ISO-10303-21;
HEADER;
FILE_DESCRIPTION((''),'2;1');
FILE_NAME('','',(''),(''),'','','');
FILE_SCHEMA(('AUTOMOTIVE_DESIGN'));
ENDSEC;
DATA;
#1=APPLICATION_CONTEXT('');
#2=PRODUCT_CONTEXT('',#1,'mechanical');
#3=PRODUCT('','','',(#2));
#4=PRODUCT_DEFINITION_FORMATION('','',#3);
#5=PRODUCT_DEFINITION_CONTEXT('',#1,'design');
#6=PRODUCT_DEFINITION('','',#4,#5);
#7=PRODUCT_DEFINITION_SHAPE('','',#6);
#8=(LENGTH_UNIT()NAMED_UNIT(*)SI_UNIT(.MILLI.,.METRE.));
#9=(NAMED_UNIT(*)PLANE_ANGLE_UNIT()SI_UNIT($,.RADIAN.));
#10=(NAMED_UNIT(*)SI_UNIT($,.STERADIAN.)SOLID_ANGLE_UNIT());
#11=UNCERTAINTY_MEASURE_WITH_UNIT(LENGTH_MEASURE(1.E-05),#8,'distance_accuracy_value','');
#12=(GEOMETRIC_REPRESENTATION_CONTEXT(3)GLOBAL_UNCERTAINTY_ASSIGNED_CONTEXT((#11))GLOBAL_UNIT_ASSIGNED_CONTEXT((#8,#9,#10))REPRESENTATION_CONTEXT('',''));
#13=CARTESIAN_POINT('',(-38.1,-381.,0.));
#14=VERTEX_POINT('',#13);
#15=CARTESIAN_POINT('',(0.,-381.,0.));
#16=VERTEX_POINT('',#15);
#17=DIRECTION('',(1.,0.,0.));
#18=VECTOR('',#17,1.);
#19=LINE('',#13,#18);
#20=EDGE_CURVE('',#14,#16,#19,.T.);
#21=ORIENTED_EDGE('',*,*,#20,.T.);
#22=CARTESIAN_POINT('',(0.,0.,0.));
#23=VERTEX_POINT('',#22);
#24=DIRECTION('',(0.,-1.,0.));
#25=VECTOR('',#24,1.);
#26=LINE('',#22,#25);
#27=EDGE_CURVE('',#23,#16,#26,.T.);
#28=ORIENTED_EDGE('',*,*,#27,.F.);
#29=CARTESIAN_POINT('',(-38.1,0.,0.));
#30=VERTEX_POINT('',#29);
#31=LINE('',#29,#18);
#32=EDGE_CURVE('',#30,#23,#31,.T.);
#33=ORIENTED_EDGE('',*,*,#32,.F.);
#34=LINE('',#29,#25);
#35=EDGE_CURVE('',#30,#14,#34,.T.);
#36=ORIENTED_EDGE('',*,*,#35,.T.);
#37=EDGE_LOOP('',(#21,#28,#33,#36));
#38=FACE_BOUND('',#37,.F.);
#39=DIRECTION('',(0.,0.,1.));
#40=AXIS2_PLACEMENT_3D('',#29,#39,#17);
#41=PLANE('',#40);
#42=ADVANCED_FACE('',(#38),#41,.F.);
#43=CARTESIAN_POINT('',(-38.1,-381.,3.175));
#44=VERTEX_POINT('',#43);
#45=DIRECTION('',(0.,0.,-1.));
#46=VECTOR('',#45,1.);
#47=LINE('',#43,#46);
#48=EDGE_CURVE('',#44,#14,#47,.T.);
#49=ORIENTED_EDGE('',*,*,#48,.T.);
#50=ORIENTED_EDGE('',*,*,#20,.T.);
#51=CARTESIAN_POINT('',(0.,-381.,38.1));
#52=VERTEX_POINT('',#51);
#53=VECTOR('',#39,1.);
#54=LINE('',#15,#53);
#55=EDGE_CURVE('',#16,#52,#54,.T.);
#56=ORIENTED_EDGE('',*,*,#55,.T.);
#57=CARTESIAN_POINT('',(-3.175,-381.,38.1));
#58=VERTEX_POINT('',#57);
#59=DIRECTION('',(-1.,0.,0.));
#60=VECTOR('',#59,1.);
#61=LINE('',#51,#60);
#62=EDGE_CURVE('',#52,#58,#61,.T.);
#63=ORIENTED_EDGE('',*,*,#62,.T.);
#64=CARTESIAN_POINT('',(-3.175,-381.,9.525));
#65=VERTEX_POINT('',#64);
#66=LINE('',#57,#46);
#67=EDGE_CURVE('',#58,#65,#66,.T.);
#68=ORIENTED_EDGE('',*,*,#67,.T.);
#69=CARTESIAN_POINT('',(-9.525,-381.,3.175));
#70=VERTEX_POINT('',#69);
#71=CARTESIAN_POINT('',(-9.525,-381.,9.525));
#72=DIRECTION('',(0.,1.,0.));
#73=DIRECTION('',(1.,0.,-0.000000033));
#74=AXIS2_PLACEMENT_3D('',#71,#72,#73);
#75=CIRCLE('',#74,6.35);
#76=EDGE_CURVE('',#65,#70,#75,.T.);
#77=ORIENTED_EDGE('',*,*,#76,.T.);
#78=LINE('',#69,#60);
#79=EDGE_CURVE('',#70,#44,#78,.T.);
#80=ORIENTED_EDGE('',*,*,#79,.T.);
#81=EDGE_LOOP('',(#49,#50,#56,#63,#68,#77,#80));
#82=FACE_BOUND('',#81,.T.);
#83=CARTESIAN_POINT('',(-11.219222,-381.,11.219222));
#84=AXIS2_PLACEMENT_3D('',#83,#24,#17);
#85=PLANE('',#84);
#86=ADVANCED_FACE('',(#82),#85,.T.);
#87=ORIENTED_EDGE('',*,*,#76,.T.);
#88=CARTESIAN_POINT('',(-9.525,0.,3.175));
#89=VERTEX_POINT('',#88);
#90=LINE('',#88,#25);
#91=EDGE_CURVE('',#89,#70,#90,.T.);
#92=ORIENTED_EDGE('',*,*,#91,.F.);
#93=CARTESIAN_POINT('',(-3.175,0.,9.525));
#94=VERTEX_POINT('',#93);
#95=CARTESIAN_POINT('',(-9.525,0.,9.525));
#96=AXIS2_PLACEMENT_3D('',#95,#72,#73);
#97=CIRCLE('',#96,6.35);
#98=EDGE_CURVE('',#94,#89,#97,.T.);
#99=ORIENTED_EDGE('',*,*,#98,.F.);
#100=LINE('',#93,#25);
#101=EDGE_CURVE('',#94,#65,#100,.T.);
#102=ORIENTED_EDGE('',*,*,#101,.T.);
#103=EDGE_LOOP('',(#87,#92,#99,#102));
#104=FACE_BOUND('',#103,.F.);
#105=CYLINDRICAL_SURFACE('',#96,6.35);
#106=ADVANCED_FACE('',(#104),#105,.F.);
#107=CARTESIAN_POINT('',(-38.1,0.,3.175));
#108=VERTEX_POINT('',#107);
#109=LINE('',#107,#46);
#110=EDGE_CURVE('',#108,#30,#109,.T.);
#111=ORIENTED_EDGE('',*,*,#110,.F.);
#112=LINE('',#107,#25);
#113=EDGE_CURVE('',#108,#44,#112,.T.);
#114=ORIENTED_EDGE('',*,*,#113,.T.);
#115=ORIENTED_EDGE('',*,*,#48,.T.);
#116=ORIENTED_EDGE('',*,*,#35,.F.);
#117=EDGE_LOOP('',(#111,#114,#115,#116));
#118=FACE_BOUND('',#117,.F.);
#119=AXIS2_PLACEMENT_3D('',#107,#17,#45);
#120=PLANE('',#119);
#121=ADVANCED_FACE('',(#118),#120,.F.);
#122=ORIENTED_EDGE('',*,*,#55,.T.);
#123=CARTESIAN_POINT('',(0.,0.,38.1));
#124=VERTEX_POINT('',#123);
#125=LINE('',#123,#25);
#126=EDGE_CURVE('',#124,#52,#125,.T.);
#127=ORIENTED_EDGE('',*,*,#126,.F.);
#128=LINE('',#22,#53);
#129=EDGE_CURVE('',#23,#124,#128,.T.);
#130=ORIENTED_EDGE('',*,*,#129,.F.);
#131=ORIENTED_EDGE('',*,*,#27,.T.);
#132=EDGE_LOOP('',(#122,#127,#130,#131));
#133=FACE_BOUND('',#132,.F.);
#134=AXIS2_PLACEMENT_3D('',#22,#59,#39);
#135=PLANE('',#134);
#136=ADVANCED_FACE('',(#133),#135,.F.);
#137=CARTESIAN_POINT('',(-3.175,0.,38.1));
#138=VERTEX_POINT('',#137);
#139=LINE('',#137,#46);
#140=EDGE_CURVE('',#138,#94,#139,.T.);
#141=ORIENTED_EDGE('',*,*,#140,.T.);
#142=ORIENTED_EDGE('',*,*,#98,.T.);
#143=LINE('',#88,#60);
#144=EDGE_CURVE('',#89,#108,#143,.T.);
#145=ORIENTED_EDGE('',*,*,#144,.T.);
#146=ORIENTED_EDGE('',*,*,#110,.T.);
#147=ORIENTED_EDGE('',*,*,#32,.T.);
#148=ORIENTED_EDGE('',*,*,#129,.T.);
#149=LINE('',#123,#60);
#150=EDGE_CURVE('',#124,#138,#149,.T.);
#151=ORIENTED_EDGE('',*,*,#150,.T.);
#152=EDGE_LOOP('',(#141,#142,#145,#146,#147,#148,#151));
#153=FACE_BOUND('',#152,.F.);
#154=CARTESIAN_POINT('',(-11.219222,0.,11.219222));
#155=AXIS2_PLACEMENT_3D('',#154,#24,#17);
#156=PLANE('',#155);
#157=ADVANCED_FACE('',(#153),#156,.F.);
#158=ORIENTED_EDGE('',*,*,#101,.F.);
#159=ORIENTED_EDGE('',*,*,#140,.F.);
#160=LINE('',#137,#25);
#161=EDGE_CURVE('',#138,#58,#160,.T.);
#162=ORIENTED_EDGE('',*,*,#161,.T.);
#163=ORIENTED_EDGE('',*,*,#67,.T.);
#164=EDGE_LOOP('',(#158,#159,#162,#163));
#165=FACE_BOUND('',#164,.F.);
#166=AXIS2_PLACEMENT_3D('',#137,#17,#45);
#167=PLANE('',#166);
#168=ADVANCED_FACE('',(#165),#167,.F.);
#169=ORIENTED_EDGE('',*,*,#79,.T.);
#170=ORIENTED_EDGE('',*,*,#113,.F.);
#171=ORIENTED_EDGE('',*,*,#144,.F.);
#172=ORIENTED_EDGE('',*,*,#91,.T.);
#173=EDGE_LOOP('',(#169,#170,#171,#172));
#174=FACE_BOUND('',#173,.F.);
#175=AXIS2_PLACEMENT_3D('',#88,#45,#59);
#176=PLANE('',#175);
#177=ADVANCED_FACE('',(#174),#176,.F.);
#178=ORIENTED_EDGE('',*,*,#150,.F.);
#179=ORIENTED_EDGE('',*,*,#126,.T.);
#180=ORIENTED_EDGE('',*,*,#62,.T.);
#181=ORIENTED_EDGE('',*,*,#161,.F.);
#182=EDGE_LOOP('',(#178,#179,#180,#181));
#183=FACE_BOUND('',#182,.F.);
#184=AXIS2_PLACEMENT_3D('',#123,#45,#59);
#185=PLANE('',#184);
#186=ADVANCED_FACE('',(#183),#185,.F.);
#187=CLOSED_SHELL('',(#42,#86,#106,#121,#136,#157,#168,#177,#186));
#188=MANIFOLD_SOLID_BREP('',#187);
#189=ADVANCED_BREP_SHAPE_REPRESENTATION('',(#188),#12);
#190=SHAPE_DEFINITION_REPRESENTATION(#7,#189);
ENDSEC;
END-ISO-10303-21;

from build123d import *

# Parameters (mm, degrees)
F1_DEPTH = 381


with BuildPart() as f1:
    # F0 (on Front) → F1 (new body)
    with BuildSketch(Plane.XZ):
        with BuildLine():
            Line((-5.119123, 0), (0, 0))
            Line((0, 0), (0, 5.687915))
            Line((0, 5.687915), (0, 38.1))
            Line((0, 38.1), (-3.175, 38.1))
            Line((-3.175, 38.1), (-3.175, 9.525))
            ThreePointArc((-3.175, 9.525), (-5.034872, 5.034872), (-9.525, 3.175))
            Line((-9.525, 3.175), (-38.1, 3.175))
            Line((-38.1, 3.175), (-38.1, 0))
            Line((-38.1, 0), (-5.119123, 0))
        make_face()
    extrude(amount=F1_DEPTH)


solid = f1.part
